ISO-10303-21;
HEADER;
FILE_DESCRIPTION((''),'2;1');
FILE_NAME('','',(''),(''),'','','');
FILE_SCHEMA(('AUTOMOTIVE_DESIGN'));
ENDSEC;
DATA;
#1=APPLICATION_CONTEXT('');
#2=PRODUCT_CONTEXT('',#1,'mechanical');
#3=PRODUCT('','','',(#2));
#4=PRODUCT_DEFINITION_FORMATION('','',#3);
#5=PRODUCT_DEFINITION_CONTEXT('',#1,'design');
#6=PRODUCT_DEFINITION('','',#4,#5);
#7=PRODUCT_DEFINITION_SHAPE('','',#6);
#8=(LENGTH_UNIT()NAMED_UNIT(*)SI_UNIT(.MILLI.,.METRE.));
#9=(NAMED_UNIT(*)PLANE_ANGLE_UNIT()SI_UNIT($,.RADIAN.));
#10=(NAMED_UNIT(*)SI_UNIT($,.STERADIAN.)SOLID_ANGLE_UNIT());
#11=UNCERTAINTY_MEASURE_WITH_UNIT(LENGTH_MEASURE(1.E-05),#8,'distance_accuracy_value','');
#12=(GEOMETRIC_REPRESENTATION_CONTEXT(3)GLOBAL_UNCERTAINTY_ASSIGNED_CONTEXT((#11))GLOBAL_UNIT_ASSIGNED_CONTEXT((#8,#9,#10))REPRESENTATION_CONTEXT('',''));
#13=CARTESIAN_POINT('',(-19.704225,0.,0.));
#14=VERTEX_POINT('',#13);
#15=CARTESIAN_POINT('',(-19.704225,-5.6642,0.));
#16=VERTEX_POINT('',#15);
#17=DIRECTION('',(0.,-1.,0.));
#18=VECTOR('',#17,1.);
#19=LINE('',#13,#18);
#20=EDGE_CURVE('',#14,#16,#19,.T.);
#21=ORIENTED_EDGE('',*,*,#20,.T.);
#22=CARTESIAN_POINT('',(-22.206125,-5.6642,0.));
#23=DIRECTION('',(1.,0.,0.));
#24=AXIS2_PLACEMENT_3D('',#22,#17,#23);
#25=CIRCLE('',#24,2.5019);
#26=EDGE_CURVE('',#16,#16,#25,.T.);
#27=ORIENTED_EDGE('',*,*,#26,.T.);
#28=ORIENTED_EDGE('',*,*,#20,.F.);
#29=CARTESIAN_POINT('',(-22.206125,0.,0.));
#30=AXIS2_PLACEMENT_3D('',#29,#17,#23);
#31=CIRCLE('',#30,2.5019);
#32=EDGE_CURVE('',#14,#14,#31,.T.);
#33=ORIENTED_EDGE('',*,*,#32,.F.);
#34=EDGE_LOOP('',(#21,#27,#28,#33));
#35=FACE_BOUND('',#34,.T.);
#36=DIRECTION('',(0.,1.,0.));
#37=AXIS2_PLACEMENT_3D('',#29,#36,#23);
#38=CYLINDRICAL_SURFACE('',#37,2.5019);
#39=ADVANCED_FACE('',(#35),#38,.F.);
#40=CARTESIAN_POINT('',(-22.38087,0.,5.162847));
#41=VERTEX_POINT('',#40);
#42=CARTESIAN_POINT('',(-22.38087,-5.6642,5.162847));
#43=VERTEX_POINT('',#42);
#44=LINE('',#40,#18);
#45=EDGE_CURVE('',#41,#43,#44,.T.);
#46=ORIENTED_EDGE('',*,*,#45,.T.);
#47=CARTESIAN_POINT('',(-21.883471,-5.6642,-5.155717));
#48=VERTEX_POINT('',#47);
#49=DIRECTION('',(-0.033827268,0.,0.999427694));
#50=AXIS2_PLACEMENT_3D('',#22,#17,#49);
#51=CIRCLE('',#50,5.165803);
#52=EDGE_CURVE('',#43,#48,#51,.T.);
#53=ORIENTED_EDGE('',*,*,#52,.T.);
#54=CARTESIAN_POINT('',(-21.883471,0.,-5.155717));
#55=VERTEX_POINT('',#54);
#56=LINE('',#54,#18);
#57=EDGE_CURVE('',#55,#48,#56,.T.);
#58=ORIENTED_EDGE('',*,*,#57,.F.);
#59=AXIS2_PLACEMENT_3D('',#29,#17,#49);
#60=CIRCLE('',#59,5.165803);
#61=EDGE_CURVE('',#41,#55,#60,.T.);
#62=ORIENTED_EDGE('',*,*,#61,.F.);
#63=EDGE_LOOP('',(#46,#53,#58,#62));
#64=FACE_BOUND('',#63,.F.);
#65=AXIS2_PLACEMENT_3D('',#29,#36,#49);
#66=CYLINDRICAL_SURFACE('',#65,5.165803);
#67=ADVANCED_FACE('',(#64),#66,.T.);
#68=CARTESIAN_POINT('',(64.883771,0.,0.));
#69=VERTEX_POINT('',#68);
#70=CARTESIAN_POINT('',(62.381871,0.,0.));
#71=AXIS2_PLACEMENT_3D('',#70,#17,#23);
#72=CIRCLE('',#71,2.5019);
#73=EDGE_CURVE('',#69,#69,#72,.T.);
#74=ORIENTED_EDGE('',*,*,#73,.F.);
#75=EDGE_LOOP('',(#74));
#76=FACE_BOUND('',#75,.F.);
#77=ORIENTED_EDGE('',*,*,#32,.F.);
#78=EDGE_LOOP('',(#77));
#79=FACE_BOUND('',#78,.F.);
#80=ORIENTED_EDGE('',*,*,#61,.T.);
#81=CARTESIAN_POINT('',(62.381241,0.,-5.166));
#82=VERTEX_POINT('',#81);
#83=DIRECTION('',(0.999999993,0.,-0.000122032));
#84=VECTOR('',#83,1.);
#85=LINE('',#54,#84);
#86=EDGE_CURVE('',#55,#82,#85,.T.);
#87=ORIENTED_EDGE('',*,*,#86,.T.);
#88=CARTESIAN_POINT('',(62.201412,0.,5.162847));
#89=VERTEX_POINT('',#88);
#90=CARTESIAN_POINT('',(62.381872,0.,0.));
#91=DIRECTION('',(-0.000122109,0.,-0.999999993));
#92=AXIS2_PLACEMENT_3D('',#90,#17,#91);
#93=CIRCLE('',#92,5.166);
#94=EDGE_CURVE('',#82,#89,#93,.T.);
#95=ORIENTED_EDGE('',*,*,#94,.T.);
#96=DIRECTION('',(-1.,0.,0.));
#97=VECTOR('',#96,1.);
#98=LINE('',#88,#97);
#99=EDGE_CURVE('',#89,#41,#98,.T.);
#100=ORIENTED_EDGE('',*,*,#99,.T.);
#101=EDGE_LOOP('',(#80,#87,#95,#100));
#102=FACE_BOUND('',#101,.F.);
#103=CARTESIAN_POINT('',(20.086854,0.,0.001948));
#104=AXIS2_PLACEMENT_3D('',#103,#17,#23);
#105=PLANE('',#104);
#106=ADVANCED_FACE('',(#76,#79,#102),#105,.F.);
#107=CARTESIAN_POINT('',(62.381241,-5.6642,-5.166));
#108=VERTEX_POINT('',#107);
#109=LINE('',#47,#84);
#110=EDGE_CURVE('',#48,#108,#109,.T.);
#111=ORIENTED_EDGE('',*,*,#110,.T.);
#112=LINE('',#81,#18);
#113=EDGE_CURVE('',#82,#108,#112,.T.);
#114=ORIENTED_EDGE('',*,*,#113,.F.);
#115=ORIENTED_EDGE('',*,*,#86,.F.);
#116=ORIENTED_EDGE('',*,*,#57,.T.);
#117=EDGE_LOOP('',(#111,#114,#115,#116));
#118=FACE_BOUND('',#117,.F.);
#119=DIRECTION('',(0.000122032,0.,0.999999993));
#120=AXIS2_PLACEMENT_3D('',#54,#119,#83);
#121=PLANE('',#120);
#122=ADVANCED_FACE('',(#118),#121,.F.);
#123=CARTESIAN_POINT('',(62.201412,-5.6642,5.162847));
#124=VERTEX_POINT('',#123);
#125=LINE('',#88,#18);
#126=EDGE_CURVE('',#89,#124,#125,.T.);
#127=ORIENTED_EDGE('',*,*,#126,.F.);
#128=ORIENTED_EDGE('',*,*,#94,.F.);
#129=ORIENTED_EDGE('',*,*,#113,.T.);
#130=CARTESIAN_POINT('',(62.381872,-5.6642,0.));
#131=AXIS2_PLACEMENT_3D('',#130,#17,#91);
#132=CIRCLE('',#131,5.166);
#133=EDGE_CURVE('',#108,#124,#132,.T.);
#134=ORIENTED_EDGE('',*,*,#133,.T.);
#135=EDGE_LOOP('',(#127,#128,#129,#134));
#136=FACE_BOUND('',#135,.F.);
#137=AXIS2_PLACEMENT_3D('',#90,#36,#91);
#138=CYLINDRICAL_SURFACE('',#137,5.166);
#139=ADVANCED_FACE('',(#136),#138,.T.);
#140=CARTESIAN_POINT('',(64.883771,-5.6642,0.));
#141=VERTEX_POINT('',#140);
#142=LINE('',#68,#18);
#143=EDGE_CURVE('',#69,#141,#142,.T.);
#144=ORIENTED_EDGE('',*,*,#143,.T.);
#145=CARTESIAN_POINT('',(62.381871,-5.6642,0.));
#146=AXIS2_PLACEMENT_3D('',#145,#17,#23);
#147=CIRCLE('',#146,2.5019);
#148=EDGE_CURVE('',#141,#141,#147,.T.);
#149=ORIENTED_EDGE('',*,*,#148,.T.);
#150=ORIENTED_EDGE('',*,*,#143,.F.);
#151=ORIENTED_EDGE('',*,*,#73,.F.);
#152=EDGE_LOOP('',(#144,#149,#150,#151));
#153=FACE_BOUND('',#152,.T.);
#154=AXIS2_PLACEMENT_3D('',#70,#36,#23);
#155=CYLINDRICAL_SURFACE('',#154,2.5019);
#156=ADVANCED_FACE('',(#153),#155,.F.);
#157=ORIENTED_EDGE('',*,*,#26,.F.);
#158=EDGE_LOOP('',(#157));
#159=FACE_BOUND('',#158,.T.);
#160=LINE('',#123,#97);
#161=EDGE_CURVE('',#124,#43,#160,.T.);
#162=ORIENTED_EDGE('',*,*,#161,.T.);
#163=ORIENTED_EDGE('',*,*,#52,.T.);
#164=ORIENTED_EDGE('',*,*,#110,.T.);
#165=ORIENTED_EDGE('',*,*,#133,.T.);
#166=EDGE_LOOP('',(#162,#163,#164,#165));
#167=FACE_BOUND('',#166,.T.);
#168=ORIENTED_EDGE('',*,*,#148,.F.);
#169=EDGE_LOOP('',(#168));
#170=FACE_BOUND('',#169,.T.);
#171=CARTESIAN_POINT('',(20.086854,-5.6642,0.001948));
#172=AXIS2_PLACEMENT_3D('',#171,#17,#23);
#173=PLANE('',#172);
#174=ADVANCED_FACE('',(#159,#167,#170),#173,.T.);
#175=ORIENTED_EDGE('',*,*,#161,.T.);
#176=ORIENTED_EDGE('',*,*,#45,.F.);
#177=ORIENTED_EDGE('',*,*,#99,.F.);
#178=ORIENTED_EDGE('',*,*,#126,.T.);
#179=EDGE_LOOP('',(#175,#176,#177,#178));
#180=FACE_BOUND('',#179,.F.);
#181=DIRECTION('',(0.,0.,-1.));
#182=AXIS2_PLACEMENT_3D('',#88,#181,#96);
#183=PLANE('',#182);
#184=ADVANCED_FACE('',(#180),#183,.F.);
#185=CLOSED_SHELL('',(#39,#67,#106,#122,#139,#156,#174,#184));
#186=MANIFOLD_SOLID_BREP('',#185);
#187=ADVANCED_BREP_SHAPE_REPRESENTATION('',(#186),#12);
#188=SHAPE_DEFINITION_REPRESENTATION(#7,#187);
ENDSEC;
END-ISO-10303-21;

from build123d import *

# Parameters (mm, degrees)
F0_R     = 2.5019
F1_DEPTH = 5.6642


with BuildPart() as f1:
    # F0 (on Front) → F1 (new body)
    with BuildSketch(Plane.XZ):
        with BuildLine():
            Line((62.201412, 5.162847), (-22.03138, 5.162847))
            Line((-22.03138, 5.162847), (-22.38087, 5.162847))
            ThreePointArc((-22.38087, 5.162847), (-27.365937, -0.248725), (-21.883471, -5.155717))
            Line((-21.883471, -5.155717), (62.381241, -5.166))
            ThreePointArc((62.381241, -5.166), (67.547089, 0.089928), (62.201412, 5.162847))
        make_face()
        with Locations((-22.206125, 0)):
            Circle(F0_R, mode=Mode.SUBTRACT)
        with Locations((62.381871, 0)):
            Circle(F0_R, mode=Mode.SUBTRACT)
    extrude(amount=F1_DEPTH)


solid = f1.part
